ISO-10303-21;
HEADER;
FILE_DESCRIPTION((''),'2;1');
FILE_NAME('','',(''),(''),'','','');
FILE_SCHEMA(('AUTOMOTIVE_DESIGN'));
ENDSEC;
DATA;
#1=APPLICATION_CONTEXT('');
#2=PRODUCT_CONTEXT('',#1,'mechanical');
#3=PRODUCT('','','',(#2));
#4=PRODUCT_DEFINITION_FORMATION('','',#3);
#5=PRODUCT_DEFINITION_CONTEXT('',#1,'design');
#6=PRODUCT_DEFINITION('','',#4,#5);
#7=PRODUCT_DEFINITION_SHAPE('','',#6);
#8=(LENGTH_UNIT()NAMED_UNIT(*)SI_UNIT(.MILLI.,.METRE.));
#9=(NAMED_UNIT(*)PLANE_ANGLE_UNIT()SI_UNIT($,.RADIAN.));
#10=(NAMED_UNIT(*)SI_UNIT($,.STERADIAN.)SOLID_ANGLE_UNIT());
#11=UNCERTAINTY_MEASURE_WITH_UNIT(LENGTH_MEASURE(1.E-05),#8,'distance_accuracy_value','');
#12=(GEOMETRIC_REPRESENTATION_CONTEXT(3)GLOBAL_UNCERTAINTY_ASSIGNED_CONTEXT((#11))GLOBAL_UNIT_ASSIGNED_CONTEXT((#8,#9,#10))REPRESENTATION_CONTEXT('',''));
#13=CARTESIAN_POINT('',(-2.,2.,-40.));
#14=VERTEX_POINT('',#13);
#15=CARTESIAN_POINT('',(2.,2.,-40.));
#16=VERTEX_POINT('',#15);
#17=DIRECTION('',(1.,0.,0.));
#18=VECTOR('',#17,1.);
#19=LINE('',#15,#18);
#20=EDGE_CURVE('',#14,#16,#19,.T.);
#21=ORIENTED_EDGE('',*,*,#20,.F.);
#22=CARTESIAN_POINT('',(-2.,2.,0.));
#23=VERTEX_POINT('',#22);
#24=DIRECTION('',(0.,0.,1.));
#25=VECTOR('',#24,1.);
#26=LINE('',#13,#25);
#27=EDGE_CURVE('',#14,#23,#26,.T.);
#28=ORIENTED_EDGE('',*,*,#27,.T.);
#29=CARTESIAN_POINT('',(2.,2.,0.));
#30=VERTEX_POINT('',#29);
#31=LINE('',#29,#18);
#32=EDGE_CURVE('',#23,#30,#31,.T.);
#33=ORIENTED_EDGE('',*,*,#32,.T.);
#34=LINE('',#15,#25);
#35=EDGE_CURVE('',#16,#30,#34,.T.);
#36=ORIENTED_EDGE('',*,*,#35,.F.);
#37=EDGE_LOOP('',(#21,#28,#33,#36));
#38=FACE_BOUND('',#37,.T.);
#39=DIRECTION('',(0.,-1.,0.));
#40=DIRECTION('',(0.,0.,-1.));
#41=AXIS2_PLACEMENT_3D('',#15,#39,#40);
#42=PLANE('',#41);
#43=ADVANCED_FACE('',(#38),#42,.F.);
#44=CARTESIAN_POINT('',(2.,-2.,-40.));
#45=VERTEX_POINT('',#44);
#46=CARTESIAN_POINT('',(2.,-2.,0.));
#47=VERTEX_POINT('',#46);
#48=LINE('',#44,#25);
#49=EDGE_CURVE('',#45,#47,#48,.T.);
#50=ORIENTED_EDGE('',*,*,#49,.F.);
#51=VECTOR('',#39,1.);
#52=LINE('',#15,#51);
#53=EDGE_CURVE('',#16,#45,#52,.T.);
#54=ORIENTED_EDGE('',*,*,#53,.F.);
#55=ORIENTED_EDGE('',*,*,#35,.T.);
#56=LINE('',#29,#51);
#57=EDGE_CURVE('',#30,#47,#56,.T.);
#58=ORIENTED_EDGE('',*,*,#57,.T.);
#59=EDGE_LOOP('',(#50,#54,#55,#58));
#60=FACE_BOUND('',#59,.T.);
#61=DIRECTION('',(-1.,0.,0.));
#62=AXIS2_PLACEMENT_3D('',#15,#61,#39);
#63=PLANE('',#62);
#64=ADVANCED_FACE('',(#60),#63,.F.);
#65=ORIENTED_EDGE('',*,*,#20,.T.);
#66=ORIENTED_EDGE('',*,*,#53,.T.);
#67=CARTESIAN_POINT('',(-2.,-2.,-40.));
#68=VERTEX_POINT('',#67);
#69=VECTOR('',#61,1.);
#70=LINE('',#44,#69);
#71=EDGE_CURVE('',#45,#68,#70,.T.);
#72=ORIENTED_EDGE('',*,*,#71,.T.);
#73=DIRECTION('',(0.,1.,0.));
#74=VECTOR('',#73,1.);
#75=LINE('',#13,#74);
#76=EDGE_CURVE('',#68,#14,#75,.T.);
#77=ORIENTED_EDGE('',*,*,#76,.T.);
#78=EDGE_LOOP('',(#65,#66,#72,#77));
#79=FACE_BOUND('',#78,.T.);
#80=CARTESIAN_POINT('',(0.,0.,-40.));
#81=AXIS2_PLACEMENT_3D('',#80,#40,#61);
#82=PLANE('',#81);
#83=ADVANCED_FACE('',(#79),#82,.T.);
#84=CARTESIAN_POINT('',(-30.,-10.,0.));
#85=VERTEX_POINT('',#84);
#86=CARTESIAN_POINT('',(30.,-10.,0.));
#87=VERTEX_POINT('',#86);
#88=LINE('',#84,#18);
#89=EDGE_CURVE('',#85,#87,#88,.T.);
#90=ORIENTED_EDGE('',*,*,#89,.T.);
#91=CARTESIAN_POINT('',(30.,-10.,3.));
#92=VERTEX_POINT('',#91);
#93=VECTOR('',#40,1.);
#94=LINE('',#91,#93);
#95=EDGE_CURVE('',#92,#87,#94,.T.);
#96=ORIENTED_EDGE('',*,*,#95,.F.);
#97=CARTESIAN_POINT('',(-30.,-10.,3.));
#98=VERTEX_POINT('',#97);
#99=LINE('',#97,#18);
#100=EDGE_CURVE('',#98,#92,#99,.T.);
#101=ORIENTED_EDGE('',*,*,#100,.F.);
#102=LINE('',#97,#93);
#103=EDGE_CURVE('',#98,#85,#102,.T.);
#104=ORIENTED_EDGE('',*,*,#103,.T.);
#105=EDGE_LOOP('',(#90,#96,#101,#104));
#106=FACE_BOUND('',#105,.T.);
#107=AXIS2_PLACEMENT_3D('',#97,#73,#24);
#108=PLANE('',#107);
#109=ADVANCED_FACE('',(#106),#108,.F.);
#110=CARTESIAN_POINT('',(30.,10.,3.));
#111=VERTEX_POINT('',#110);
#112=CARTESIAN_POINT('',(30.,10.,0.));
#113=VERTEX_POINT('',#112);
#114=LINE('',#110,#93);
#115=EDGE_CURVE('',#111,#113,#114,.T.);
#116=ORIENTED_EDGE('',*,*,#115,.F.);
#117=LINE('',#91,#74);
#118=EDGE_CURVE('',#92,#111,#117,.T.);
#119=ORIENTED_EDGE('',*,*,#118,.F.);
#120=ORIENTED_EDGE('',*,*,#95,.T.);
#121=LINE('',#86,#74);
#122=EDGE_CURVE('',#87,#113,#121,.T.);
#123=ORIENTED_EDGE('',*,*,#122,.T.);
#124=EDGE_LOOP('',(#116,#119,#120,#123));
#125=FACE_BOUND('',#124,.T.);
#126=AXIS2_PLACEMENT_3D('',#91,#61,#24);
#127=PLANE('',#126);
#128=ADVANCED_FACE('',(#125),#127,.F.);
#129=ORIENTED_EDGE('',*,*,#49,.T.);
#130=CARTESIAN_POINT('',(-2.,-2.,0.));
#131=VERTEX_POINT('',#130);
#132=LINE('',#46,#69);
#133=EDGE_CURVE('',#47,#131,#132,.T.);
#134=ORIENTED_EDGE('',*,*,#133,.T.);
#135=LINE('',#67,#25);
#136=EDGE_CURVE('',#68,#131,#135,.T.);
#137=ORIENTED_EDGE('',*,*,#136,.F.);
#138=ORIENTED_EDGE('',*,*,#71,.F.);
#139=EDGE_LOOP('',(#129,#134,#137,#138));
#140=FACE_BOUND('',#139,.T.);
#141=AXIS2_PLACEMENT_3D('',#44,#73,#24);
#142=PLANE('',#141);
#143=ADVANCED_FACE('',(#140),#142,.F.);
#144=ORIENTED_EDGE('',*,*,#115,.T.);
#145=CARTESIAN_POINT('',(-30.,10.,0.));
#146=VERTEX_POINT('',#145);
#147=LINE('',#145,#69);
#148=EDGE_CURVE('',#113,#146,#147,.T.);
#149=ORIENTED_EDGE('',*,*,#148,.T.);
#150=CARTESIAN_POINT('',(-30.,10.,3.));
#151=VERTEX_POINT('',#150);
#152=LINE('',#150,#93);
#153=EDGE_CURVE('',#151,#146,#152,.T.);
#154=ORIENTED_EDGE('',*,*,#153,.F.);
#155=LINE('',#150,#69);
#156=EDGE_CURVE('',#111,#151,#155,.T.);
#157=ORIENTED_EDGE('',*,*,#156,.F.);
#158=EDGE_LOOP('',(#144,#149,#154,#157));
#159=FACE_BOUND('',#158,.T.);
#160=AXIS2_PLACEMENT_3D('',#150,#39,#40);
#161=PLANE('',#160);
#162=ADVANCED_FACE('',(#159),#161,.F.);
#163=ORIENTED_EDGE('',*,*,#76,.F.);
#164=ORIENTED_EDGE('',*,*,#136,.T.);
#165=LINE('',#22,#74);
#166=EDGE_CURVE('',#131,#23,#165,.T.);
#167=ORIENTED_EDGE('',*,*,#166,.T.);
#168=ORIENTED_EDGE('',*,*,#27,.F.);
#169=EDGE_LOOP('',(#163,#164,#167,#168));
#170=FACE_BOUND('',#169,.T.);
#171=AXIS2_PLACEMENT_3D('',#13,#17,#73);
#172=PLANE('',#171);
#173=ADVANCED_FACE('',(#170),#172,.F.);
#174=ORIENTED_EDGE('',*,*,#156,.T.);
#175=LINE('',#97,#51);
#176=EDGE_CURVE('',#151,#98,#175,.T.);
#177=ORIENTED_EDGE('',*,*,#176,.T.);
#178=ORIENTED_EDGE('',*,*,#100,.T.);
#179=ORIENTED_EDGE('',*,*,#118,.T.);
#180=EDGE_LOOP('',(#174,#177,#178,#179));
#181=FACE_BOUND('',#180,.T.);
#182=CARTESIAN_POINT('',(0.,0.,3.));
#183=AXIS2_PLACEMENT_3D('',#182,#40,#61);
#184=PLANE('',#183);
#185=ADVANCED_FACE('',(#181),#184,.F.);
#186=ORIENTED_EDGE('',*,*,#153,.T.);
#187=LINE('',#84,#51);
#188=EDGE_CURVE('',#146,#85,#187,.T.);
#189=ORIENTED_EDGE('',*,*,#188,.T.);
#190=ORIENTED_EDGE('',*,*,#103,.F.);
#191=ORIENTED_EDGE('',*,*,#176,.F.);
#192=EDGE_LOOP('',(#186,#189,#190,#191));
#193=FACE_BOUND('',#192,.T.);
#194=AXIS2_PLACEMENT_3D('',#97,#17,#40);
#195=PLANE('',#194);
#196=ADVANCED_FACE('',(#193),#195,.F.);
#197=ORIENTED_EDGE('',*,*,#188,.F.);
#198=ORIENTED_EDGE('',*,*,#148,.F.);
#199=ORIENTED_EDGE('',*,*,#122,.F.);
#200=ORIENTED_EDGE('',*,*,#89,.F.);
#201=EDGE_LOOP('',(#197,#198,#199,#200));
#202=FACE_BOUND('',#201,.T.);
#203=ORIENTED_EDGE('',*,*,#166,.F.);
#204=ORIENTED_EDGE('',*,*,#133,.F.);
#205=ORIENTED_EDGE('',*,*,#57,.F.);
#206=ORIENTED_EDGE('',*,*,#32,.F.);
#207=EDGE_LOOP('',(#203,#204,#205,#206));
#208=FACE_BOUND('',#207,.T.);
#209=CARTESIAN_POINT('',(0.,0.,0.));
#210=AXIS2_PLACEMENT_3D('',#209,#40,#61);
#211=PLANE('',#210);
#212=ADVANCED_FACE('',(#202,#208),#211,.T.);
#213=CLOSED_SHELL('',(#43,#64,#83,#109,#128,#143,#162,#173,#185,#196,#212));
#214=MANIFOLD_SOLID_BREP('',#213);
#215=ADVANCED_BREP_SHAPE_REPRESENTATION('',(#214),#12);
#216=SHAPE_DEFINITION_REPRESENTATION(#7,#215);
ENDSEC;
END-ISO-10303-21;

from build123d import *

# Parameters (mm, degrees)
ESQUISSE1_W        = 60
ESQUISSE1_H        = 20
BOSS_EXTRU_1_DEPTH = 3
ESQUISSE2_W        = 4
ESQUISSE2_H        = 4
BOSS_EXTRU_2_DEPTH = 40


with BuildPart() as part:
    # Esquisse1 → Boss.-Extru.1 (new body)
    with BuildSketch(Plane.XY):
        Rectangle(ESQUISSE1_W, ESQUISSE1_H)
    extrude(amount=BOSS_EXTRU_1_DEPTH)

    # Esquisse2 → Boss.-Extru.2 (add)
    with BuildSketch(Plane(origin=(0, 0, 0), x_dir=(-1, 0, 0), z_dir=(0, 0, -1))):
        Rectangle(ESQUISSE2_W, ESQUISSE2_H)
    extrude(amount=BOSS_EXTRU_2_DEPTH)


solid = part.part
